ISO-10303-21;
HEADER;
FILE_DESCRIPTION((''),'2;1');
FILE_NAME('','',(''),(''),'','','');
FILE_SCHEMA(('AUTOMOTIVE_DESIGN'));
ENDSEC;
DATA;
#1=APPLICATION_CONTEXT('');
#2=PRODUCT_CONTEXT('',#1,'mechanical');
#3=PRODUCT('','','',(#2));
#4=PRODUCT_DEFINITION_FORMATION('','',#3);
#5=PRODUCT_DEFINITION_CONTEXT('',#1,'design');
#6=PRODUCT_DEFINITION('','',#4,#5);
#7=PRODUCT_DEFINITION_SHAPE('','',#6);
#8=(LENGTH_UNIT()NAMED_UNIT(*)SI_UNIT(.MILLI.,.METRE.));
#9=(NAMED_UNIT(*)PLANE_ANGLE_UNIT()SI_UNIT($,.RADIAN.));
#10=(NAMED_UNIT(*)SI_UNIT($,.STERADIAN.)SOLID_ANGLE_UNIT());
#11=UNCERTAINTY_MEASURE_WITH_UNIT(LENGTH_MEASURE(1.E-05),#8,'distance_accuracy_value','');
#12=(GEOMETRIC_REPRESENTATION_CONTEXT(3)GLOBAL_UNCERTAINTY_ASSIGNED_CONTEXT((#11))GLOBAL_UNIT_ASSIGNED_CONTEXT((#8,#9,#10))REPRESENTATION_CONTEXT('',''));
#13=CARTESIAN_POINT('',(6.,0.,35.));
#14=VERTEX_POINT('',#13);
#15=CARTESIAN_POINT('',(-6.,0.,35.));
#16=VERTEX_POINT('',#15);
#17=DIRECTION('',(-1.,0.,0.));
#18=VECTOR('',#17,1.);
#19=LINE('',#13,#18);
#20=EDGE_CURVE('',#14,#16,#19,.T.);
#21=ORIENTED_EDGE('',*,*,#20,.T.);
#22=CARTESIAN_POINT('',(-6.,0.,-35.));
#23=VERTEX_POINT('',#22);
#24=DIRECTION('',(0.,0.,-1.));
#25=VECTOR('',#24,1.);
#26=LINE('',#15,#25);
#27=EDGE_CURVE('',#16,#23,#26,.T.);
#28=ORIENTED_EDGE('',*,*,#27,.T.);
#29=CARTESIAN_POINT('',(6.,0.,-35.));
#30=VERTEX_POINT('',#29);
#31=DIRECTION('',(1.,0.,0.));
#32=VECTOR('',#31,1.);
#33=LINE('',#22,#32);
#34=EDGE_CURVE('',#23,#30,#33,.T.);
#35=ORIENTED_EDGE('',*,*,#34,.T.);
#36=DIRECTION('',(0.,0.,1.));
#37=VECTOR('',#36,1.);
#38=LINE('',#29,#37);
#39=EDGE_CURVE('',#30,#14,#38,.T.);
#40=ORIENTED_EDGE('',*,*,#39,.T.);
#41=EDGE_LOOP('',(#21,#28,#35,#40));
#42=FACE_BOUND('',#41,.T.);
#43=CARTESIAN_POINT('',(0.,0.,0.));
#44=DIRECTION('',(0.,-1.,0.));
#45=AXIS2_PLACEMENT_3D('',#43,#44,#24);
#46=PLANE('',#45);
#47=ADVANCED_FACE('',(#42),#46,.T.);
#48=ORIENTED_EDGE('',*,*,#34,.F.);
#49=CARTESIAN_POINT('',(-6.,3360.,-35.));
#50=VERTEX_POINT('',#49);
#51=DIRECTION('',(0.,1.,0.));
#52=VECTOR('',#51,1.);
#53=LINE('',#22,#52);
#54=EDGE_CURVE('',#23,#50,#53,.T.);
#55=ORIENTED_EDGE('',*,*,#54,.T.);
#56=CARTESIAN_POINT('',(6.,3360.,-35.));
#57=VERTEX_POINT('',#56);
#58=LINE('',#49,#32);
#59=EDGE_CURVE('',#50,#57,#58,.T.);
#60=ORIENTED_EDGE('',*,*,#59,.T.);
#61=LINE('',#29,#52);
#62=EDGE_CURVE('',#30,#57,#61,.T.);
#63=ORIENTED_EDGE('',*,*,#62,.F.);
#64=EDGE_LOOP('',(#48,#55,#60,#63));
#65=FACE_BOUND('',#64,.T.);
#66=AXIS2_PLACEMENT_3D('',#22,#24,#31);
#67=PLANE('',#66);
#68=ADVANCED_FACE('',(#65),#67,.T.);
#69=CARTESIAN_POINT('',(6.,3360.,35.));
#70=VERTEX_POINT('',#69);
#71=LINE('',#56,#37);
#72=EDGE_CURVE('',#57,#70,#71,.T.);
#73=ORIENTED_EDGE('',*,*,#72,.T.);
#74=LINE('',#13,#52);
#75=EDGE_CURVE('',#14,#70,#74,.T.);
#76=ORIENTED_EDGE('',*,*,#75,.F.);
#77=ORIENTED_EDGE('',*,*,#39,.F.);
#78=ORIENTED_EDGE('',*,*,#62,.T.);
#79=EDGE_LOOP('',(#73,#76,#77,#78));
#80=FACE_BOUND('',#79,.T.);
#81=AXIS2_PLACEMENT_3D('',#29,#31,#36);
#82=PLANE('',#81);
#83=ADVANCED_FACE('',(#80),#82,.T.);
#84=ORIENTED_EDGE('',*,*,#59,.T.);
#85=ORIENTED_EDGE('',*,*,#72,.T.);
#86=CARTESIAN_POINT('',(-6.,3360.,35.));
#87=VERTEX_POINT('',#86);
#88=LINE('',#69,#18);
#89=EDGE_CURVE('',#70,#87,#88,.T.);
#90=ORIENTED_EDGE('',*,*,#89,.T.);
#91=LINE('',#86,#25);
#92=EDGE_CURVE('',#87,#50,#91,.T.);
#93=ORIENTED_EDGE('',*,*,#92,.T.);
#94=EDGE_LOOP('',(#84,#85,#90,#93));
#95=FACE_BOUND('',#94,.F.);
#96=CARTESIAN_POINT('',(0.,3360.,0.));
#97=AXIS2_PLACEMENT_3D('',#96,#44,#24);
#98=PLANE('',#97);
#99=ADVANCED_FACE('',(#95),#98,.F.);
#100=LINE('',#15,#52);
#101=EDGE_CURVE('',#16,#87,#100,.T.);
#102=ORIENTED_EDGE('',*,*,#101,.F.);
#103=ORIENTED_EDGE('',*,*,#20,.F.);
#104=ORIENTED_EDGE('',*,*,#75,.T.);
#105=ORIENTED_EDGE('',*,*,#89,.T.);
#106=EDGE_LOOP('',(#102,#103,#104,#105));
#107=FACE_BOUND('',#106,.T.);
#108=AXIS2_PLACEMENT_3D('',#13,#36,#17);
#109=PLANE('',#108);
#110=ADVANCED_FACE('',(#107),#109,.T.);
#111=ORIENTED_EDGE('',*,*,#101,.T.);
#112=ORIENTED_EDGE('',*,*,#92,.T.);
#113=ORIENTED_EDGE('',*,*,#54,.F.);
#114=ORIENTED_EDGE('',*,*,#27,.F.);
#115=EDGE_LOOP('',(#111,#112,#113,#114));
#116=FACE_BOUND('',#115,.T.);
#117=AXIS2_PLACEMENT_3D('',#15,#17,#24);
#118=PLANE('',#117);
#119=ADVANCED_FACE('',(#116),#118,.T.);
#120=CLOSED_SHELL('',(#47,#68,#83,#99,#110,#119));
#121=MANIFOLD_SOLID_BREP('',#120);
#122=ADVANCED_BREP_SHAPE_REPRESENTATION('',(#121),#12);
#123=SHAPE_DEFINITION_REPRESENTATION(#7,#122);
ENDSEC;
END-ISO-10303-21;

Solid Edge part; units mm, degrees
sketch "Sketch1" plane through (0, 0, 0) normal (0, -1, 0) x (1, 0, 0)
  line L0 (-6, -35) -> (6, -35)
  line L1 (6, -35) -> (6, 35)
  line L2 (6, 35) -> (-6, 35)
  line L3 (-6, 35) -> (-6, -35)
extrude "Protrusion1" add sketch "Sketch1" against normal blind 3360
